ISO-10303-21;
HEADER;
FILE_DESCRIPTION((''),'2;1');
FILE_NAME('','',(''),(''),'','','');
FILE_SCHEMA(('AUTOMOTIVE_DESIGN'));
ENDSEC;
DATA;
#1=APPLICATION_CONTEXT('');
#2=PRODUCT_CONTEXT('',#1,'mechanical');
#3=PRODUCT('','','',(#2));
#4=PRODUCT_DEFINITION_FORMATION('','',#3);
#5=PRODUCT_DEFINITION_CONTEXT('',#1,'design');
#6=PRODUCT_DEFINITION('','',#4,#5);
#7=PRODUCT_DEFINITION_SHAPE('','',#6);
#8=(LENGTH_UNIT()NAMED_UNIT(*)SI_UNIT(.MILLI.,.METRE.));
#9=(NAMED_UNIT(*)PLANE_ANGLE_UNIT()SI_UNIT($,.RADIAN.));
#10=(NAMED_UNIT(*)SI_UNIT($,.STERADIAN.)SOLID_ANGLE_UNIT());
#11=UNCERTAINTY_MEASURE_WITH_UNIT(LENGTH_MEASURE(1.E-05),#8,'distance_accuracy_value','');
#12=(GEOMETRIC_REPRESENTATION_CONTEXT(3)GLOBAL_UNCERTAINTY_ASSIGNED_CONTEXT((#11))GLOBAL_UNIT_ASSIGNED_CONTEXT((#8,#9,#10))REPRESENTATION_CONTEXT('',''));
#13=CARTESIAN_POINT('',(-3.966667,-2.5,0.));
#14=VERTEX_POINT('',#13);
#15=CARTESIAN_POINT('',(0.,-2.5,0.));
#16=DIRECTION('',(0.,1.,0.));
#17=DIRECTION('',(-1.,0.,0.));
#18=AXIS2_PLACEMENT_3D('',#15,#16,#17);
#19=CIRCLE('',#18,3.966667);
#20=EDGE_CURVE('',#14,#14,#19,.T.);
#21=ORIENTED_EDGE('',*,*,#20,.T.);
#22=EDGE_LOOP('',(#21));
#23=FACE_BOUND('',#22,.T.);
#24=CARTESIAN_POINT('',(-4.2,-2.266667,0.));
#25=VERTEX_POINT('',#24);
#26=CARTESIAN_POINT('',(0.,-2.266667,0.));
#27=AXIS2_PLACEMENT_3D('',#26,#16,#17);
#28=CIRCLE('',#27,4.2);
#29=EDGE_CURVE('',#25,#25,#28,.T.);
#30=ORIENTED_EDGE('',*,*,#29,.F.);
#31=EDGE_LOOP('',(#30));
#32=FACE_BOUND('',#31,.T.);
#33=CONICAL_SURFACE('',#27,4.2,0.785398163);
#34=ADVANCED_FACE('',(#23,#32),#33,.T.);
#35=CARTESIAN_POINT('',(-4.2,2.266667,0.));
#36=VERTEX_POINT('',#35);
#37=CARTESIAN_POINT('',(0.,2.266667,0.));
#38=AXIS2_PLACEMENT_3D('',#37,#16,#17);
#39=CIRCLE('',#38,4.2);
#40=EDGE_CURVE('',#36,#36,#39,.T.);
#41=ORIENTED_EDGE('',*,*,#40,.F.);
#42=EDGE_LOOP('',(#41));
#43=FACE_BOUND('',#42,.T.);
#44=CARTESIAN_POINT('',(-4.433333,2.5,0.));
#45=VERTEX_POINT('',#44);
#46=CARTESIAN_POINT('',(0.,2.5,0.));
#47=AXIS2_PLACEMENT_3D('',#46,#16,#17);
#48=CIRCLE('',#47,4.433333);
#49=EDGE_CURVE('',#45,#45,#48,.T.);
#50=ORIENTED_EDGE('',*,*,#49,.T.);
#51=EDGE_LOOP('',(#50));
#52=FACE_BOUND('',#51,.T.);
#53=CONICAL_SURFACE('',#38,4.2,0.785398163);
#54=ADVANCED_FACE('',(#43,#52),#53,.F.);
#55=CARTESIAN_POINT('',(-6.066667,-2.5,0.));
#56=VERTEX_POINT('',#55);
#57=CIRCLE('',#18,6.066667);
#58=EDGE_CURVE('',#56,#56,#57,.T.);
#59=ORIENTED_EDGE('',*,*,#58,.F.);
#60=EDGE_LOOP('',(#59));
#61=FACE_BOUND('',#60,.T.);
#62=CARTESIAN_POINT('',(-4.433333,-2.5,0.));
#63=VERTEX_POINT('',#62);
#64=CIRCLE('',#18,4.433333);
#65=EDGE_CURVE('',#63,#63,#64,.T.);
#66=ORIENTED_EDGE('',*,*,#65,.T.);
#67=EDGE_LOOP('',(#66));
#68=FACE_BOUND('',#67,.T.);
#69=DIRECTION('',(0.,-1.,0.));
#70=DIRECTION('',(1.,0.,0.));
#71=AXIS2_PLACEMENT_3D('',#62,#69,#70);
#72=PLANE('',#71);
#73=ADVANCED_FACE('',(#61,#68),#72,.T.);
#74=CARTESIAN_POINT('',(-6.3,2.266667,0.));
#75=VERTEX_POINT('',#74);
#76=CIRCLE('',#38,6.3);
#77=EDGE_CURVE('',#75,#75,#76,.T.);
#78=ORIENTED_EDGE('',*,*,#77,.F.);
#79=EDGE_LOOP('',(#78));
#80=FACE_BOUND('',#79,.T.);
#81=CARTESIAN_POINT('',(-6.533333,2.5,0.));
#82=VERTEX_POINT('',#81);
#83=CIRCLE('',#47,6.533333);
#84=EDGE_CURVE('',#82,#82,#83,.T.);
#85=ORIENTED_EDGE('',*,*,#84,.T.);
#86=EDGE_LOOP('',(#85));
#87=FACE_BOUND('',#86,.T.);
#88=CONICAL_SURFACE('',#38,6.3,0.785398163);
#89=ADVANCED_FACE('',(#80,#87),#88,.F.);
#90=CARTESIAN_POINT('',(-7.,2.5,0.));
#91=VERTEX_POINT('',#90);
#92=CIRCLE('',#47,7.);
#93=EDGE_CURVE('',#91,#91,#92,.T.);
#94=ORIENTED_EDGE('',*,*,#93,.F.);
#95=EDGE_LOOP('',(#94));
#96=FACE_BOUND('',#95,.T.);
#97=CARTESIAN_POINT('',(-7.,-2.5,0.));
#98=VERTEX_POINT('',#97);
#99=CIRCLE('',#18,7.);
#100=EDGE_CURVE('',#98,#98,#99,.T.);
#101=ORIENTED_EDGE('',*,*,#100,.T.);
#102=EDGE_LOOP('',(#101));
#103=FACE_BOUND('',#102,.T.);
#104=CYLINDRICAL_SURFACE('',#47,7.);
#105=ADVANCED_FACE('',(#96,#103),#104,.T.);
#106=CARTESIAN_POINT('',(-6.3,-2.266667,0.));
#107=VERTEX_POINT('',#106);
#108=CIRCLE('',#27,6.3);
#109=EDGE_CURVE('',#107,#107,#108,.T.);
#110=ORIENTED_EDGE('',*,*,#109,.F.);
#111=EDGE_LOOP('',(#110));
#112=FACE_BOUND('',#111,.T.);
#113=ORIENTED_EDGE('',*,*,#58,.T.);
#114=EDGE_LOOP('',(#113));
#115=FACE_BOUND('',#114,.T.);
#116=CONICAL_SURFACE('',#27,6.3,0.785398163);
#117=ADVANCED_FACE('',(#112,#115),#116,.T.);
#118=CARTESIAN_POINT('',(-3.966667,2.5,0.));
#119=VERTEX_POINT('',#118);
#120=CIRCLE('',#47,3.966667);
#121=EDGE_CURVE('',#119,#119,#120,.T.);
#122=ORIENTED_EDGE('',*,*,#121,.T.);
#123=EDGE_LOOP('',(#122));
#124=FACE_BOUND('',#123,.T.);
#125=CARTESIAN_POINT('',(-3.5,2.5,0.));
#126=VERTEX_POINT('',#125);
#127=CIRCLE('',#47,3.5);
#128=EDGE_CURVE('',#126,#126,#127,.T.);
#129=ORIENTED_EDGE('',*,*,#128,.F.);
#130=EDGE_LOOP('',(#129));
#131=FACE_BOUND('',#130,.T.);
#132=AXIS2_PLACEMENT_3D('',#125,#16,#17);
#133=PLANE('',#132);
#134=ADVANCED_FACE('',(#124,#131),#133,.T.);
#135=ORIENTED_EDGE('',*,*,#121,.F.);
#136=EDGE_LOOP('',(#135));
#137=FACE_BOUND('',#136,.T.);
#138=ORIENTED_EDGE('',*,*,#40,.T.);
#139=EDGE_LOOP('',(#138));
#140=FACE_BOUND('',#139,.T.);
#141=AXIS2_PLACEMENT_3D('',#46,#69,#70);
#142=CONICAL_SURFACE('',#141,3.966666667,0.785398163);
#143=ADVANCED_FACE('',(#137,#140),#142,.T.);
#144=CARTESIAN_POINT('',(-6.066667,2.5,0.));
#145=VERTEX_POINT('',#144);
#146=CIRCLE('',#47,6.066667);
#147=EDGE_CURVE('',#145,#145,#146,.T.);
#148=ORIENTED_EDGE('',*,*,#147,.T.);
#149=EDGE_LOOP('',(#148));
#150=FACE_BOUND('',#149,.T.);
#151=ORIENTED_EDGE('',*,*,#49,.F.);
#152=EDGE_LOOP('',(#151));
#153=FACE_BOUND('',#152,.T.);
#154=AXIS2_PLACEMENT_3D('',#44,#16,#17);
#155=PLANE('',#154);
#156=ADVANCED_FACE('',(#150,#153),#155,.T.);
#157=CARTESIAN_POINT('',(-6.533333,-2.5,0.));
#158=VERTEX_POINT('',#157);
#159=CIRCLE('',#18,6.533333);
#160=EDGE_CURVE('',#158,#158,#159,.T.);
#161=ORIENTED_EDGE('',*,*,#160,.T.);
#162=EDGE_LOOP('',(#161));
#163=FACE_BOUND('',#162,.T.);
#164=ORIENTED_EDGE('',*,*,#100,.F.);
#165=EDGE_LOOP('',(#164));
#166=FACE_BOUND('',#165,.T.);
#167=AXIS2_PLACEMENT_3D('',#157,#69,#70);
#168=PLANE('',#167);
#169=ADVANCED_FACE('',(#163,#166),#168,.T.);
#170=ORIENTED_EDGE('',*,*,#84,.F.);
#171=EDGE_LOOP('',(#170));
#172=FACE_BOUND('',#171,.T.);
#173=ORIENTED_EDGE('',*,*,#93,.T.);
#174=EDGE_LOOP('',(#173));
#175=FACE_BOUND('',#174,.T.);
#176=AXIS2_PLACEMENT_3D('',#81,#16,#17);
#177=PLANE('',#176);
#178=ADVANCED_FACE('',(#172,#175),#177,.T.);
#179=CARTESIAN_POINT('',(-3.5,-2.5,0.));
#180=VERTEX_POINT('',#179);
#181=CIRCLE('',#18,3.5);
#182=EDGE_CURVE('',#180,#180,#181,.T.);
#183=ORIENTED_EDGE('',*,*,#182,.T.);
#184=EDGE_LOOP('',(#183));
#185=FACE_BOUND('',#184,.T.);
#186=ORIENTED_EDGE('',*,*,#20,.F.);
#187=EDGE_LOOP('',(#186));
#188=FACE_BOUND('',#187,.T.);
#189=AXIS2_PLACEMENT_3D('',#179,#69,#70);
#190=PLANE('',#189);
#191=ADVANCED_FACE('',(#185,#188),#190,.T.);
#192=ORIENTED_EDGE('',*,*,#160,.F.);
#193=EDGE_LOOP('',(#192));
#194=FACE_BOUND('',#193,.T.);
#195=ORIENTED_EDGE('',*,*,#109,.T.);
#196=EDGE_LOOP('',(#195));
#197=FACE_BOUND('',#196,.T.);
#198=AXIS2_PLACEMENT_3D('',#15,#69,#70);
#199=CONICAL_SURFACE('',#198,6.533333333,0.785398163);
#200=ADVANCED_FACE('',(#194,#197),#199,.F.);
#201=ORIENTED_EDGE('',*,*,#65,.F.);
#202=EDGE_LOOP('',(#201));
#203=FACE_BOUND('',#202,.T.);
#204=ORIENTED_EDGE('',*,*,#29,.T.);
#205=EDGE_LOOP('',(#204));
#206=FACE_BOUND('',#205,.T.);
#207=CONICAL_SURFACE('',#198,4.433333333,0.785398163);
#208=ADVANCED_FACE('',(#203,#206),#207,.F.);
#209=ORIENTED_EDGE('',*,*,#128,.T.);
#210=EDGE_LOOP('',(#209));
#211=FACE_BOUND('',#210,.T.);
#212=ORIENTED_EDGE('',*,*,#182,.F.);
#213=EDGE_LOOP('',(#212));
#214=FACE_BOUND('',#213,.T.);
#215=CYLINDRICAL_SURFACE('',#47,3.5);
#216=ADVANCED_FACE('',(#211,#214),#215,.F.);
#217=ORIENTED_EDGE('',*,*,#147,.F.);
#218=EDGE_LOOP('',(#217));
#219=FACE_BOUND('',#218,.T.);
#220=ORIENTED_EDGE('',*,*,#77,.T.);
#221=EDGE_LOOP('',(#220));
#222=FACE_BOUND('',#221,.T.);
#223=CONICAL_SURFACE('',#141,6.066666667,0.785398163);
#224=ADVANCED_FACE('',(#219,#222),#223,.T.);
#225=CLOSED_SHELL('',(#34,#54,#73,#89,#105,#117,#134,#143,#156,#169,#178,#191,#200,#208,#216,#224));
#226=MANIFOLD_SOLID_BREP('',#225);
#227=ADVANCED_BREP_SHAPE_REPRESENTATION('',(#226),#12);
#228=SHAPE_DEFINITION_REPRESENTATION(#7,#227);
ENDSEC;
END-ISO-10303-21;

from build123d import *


with BuildPart() as part:
    # Sketch1 → Revolve1 (revolve)
    with BuildSketch(Plane.XY):
        Polygon((-3.5, 2.5), (-3.966666667, 2.5), (-4.2, 2.266666667), (-4.433333333, 2.5), (-6.066666667, 2.5), (-6.3, 2.266666667), (-6.533333333, 2.5), (-7, 2.5), (-7, -2.5), (-6.533333333, -2.5), (-6.3, -2.266666667), (-6.066666667, -2.5), (-4.433333333, -2.5), (-4.2, -2.266666667), (-3.966666667, -2.5), (-3.5, -2.5), align=None)
    revolve(axis=Axis((0, 2.5, 0), (0, -1, 0)))


solid = part.part
